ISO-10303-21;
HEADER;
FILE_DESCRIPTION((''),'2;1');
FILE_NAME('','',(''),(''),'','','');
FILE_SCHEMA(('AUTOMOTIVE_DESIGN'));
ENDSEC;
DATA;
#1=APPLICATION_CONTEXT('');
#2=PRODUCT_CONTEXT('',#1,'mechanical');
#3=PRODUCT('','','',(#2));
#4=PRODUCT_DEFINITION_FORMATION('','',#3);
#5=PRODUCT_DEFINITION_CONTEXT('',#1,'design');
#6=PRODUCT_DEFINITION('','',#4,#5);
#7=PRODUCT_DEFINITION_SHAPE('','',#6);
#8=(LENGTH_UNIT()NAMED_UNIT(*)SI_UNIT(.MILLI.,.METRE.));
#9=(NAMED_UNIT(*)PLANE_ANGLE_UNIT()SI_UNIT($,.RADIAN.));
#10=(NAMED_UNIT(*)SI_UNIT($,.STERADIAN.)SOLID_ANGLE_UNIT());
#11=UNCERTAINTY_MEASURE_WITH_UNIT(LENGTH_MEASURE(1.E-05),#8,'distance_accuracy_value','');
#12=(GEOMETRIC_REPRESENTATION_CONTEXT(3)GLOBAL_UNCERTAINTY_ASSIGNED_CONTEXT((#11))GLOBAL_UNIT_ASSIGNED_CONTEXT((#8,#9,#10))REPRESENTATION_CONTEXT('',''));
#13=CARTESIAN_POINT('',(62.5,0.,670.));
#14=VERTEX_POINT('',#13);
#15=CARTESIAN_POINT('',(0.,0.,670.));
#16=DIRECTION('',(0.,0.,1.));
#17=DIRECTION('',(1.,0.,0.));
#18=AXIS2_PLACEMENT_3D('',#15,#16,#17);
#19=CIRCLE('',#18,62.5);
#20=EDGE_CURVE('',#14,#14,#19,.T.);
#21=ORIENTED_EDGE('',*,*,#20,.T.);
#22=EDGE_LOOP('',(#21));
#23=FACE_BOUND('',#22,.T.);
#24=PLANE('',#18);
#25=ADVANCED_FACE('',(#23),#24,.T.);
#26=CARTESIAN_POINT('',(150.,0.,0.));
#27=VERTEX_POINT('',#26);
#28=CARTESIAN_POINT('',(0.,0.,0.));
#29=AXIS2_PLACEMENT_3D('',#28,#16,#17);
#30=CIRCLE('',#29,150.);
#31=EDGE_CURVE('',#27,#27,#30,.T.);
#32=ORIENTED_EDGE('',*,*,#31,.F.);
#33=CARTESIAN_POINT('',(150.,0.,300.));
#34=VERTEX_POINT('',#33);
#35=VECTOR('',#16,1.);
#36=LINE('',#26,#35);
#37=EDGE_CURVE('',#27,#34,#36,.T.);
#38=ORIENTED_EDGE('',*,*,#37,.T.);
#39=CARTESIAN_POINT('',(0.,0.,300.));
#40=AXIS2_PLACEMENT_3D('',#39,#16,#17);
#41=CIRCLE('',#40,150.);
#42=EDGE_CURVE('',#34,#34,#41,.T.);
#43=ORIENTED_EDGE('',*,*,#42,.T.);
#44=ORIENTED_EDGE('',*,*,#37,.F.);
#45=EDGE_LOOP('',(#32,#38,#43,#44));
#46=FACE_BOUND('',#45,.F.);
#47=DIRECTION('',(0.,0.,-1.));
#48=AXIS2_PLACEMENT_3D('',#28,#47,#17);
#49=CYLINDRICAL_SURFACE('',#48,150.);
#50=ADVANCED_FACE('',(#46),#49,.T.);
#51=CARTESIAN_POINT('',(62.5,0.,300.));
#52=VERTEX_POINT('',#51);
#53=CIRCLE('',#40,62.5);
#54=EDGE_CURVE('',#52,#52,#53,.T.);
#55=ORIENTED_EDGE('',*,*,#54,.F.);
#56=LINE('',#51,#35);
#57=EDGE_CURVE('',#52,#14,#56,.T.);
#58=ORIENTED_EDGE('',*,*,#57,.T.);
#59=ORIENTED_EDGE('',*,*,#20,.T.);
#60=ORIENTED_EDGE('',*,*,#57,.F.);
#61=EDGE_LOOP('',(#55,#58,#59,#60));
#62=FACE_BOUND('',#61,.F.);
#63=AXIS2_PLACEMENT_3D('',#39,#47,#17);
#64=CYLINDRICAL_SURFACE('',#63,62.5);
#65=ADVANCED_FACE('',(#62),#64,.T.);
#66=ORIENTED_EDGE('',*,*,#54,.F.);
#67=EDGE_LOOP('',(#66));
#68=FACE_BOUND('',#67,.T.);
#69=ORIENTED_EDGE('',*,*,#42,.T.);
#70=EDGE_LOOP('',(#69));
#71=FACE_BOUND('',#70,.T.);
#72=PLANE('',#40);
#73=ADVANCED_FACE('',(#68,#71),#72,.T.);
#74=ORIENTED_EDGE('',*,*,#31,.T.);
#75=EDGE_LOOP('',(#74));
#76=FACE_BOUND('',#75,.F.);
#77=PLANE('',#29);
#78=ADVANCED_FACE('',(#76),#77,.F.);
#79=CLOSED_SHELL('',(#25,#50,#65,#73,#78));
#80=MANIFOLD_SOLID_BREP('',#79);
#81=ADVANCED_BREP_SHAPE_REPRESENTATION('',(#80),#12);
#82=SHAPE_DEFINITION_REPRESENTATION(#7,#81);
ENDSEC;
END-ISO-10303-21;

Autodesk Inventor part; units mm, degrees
ref_plane "YZ Plane" through (0, 0, 0) normal (1, 0, 0) x (0, 1, 0)
ref_plane "XZ Plane" through (0, 0, 0) normal (0, 1, 0) x (-1, 0, 0)
ref_plane "XY Plane" through (0, 0, 0) normal (0, 0, 1) x (1, 0, 0)
sketch "BaseProfile" plane through (0, 0, 0) normal (0, 0, 1) x (1, 0, 0)
  circle A0 centre (0, 0) radius 150
  dimension "d0" = 300
extrude "Base" add sketch "BaseProfile" along normal blind 300
sketch "Joint" plane through (0, 0, 300) normal (0, 0, 1) x (1, 0, 0)
  circle A0 centre (0, 0) radius 150 projected
  circle A1 centre (0, 0) radius 150 projected
  circle A2 centre (0, 0) radius 62.5
  dimension "d3" = 125
extrude "JointAxis" add sketch "Joint" along normal blind 370 contours A2
sketch "Connector" plane through (0, 0, 670) normal (0, 0, 1) x (1, 0, 0)
  point P0 (0, 0)
properties part number "base" material "ABS Plastic"
